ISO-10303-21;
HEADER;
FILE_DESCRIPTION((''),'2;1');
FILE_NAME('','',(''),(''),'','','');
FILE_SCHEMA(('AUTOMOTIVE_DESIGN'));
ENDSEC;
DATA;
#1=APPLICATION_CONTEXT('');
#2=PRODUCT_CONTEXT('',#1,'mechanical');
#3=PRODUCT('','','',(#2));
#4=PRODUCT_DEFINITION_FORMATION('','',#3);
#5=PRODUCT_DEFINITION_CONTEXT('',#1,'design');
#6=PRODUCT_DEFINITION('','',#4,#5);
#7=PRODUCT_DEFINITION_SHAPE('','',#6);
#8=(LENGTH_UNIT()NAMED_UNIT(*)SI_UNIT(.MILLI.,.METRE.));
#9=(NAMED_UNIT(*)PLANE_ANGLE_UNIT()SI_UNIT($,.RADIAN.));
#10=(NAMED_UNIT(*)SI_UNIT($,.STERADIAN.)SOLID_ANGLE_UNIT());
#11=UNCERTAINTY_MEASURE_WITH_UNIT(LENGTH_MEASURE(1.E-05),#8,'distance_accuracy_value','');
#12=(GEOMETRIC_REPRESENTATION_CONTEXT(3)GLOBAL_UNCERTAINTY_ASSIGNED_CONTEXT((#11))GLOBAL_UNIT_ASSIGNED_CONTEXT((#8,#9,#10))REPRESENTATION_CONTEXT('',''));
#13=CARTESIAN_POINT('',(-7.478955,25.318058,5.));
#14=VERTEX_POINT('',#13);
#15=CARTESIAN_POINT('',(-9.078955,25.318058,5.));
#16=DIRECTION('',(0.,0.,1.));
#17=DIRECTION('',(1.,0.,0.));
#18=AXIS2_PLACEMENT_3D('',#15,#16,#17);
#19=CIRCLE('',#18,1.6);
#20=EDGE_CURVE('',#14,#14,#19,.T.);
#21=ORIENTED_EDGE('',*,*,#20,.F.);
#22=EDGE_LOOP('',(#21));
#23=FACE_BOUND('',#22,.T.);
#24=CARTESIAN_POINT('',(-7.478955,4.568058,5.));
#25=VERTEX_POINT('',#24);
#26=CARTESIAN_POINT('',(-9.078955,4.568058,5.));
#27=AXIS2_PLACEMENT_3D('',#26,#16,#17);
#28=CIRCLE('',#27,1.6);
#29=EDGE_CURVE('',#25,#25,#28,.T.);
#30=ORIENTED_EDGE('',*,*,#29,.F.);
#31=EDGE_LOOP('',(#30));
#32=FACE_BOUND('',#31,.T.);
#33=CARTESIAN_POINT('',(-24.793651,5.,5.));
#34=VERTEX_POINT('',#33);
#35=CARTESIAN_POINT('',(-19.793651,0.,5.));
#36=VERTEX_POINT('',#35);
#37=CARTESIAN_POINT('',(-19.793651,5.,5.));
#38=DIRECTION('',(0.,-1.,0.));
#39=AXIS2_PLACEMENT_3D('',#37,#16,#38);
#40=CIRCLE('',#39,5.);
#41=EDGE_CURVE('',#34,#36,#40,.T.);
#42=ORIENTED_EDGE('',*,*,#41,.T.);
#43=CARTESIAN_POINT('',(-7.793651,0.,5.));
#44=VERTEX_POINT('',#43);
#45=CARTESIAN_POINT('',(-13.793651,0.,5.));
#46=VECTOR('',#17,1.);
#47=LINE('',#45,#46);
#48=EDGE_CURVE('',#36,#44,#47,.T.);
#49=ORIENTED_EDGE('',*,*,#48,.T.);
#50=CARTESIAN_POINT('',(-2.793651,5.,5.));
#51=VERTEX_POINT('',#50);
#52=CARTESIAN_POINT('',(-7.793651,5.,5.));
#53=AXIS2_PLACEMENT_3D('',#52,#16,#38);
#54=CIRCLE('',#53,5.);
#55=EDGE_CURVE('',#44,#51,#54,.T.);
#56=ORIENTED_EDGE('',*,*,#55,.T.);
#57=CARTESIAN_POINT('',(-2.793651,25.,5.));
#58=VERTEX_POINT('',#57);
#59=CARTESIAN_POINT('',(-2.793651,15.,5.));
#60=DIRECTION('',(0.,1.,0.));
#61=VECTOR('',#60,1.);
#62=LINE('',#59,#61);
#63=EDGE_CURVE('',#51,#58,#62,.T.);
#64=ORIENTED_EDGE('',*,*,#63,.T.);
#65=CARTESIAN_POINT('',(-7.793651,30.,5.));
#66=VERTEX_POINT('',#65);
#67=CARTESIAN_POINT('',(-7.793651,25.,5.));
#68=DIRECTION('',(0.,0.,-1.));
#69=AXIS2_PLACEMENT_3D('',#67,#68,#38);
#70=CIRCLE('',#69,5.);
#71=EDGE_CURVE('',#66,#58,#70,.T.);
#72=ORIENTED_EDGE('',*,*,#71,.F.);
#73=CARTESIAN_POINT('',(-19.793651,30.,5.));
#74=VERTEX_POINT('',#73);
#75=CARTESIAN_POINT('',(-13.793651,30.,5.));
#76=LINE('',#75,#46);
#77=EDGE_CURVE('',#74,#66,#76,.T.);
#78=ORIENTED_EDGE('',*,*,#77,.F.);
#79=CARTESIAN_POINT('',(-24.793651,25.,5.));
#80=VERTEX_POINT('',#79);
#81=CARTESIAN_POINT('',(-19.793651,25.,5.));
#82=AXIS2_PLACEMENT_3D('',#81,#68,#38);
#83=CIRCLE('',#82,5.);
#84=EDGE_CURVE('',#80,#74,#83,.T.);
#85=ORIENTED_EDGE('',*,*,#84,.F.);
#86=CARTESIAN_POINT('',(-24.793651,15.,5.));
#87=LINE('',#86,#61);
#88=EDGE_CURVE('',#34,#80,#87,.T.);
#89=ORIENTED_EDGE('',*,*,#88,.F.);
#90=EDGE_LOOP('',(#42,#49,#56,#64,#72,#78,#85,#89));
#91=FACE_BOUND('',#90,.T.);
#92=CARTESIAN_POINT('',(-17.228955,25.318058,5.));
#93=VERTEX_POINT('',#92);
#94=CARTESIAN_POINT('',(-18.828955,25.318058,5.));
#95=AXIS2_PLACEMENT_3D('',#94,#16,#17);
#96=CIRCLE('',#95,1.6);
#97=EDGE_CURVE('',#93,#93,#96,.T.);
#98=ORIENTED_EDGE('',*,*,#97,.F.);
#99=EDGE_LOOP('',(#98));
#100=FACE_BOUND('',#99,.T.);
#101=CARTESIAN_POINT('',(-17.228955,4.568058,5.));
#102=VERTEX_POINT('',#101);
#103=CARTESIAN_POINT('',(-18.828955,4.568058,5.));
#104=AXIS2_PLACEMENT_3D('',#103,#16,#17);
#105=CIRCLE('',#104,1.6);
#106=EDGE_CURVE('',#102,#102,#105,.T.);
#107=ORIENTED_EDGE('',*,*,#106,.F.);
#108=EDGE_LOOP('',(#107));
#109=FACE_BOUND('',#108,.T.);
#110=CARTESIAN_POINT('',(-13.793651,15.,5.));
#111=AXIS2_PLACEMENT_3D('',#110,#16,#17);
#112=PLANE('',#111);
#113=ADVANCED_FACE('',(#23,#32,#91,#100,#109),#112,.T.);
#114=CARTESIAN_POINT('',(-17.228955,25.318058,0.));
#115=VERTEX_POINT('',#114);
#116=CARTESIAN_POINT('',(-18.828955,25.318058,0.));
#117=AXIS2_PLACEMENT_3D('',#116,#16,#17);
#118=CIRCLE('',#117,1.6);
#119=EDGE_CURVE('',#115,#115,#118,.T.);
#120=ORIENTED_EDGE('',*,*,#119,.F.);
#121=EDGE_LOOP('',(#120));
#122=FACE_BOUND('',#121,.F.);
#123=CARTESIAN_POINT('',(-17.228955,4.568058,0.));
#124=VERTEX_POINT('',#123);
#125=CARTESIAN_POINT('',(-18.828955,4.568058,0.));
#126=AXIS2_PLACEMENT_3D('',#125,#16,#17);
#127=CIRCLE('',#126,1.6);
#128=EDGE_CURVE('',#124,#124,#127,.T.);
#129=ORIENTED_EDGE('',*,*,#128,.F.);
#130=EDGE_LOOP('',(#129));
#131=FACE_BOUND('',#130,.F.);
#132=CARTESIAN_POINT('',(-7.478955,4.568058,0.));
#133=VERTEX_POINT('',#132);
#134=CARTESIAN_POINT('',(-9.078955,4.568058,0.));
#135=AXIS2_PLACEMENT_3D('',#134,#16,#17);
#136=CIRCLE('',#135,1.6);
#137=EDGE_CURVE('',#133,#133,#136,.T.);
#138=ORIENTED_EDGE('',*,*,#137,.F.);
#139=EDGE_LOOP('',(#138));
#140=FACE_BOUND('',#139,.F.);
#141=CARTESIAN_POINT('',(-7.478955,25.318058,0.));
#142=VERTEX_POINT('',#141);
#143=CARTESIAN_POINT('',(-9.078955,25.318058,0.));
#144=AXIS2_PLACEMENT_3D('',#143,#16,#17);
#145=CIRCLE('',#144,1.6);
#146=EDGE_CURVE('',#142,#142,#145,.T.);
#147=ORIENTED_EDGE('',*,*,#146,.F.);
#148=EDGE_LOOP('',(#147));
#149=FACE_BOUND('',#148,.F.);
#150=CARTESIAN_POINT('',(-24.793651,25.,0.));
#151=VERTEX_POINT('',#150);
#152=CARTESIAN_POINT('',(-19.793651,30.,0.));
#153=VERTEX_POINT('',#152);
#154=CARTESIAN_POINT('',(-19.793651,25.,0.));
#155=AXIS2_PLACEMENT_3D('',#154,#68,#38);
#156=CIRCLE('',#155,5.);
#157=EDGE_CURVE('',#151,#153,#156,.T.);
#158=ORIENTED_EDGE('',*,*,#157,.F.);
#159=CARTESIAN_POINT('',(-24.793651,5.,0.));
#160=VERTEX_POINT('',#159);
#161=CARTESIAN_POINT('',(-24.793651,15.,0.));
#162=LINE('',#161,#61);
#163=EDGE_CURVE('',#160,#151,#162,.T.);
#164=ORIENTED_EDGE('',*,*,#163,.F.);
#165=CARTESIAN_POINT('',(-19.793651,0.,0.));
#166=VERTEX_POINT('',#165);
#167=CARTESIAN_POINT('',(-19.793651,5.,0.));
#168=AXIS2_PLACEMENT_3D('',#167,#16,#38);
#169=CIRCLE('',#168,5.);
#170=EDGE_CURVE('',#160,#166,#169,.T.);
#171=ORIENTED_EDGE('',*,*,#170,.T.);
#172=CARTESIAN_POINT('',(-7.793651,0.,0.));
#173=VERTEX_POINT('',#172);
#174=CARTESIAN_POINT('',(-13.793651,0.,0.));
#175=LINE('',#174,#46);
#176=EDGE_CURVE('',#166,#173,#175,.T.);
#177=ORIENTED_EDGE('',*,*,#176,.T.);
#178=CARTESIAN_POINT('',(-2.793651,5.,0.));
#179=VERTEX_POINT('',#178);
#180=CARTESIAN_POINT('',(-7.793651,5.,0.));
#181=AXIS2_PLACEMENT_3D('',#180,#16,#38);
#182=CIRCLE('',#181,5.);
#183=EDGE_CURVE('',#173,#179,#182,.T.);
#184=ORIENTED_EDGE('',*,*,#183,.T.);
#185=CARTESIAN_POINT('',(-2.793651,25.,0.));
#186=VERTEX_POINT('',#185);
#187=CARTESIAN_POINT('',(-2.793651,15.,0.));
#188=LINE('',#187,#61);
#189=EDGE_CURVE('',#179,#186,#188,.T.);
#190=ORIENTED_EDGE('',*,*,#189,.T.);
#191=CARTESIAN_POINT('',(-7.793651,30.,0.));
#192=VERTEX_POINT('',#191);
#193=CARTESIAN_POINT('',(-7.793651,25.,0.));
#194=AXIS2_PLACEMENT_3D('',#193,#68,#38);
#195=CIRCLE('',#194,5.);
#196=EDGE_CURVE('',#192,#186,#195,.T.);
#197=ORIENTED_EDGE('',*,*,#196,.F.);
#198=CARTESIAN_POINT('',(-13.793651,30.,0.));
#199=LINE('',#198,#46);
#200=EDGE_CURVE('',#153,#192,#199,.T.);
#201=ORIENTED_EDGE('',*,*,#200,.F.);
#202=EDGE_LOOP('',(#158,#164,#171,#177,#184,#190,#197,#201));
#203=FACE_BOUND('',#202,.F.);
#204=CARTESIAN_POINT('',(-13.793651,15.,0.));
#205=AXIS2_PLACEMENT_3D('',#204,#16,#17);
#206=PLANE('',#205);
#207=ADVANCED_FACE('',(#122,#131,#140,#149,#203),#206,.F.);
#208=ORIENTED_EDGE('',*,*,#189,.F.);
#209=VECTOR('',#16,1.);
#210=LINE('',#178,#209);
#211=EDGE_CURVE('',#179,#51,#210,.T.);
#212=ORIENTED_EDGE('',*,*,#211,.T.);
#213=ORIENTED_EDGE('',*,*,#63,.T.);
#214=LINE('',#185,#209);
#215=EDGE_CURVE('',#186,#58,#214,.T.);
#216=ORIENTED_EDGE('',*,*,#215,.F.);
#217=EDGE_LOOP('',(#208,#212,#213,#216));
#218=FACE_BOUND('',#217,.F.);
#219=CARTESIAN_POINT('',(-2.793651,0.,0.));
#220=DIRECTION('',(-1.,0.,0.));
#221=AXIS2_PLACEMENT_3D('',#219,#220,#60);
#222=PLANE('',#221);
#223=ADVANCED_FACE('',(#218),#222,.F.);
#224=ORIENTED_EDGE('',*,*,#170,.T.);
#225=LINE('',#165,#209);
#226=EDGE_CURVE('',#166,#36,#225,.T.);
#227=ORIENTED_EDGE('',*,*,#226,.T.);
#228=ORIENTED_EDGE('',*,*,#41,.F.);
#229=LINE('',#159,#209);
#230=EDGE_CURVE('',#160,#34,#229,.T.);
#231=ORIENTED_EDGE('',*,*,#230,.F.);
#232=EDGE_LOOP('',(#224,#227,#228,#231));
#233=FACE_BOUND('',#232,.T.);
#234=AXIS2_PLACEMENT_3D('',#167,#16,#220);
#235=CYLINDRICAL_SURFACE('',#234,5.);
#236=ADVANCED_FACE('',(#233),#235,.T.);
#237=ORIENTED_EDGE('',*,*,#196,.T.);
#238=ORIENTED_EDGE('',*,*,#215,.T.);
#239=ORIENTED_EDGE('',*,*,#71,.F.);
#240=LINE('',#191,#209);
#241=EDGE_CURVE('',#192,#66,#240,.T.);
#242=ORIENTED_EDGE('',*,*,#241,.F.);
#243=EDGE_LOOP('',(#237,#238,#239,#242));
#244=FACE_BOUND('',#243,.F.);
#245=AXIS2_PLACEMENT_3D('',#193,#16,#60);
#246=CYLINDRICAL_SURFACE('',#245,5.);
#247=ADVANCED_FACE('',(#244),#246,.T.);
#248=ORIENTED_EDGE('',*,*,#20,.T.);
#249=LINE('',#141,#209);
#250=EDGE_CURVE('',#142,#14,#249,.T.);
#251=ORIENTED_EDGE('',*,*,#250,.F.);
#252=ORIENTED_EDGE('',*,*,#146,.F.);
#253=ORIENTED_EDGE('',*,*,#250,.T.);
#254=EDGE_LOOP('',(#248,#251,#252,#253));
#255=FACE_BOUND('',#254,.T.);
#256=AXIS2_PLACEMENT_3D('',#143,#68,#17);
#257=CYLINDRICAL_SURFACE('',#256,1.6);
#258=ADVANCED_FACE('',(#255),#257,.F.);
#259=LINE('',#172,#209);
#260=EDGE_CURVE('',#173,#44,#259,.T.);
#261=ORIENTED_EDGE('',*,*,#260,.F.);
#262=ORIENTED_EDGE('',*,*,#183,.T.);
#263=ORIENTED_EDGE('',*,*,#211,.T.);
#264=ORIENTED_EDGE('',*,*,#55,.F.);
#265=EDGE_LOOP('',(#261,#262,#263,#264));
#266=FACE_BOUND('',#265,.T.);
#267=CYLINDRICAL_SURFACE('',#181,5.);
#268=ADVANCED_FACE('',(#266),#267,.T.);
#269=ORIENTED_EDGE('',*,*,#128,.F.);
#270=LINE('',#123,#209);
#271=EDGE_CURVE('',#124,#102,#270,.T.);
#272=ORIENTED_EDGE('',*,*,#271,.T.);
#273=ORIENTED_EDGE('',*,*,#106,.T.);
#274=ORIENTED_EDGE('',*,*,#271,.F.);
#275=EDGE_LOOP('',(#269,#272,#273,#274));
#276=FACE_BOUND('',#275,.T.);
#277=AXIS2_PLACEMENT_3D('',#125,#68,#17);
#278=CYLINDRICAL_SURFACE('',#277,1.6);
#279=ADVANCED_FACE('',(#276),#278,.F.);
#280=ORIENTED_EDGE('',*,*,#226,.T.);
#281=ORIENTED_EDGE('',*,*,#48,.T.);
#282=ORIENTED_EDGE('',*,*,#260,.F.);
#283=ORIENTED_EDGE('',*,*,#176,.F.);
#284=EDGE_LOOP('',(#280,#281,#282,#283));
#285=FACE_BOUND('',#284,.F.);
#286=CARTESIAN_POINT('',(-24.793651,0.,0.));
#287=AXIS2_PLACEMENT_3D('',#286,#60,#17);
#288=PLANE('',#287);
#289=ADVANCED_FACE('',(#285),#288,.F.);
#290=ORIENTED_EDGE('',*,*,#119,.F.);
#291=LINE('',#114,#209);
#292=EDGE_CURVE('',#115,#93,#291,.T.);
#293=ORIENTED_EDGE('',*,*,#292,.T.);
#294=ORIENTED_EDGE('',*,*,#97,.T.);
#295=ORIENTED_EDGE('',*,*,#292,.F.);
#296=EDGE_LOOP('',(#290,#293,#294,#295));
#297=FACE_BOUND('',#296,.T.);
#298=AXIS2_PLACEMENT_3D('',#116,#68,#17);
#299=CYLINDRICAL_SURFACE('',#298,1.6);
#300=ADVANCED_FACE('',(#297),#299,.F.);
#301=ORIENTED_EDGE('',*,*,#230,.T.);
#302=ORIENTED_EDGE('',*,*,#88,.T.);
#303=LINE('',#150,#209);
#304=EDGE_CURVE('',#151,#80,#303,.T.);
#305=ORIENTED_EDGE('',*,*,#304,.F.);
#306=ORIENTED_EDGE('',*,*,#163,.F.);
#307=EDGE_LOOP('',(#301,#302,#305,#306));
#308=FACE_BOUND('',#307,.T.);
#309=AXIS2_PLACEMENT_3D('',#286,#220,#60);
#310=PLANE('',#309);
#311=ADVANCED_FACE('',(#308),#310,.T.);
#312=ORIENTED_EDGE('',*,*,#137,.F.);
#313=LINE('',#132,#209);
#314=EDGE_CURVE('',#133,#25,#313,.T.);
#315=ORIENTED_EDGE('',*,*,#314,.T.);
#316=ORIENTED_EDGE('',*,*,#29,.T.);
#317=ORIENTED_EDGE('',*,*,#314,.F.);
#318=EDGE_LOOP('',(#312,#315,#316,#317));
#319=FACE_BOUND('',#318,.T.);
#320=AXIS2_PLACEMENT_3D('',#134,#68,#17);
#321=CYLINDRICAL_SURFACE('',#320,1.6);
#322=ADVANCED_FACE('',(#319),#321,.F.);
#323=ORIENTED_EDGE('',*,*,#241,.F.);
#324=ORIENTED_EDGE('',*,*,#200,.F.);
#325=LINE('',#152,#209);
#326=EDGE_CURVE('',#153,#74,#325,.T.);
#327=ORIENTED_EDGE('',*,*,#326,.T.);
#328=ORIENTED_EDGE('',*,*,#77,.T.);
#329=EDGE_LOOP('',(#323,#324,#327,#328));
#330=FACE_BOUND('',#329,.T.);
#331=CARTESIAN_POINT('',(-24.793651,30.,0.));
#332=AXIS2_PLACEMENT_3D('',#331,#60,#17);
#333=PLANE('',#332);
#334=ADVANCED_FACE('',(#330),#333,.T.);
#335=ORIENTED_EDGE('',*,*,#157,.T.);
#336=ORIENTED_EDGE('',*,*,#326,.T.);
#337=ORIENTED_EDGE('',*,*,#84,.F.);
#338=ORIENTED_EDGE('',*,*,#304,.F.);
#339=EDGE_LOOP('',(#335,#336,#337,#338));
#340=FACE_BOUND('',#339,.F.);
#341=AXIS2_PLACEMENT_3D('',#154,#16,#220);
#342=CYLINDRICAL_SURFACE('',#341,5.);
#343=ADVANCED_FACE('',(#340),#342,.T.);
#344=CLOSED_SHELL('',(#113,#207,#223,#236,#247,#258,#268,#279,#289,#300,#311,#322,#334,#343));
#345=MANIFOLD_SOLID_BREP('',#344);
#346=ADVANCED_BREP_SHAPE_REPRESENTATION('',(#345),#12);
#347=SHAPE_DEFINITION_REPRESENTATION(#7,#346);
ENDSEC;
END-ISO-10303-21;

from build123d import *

# Parameters (mm, degrees)
F0_W     = 22
F0_H     = 30
F0_R     = 1.6
F1_DEPTH = 5
F2_R     = 5


with BuildPart() as f1:
    # F0 (on Top) → F1 (new body)
    with BuildSketch(Plane.XY):
        with Locations((-13.793651, 15)):
            Rectangle(F0_W, F0_H)
        with Locations((-18.828955, 4.568058)):
            Circle(F0_R, mode=Mode.SUBTRACT)
        with Locations((-9.078955, 4.568058)):
            Circle(F0_R, mode=Mode.SUBTRACT)
        with Locations((-18.828955, 25.318058)):
            Circle(F0_R, mode=Mode.SUBTRACT)
        with Locations((-9.078955, 25.318058)):
            Circle(F0_R, mode=Mode.SUBTRACT)
    extrude(amount=F1_DEPTH)

    # F2
    f2_edges = [f1.edges().sort_by_distance(p)[0] for p in [
        (-24.793651, 30, 2.5),
        (-24.793651, 0, 2.5),
        (-2.793651, 0, 2.5),
        (-2.793651, 30, 2.5),
    ]]
    fillet(f2_edges, radius=F2_R)


solid = f1.part
